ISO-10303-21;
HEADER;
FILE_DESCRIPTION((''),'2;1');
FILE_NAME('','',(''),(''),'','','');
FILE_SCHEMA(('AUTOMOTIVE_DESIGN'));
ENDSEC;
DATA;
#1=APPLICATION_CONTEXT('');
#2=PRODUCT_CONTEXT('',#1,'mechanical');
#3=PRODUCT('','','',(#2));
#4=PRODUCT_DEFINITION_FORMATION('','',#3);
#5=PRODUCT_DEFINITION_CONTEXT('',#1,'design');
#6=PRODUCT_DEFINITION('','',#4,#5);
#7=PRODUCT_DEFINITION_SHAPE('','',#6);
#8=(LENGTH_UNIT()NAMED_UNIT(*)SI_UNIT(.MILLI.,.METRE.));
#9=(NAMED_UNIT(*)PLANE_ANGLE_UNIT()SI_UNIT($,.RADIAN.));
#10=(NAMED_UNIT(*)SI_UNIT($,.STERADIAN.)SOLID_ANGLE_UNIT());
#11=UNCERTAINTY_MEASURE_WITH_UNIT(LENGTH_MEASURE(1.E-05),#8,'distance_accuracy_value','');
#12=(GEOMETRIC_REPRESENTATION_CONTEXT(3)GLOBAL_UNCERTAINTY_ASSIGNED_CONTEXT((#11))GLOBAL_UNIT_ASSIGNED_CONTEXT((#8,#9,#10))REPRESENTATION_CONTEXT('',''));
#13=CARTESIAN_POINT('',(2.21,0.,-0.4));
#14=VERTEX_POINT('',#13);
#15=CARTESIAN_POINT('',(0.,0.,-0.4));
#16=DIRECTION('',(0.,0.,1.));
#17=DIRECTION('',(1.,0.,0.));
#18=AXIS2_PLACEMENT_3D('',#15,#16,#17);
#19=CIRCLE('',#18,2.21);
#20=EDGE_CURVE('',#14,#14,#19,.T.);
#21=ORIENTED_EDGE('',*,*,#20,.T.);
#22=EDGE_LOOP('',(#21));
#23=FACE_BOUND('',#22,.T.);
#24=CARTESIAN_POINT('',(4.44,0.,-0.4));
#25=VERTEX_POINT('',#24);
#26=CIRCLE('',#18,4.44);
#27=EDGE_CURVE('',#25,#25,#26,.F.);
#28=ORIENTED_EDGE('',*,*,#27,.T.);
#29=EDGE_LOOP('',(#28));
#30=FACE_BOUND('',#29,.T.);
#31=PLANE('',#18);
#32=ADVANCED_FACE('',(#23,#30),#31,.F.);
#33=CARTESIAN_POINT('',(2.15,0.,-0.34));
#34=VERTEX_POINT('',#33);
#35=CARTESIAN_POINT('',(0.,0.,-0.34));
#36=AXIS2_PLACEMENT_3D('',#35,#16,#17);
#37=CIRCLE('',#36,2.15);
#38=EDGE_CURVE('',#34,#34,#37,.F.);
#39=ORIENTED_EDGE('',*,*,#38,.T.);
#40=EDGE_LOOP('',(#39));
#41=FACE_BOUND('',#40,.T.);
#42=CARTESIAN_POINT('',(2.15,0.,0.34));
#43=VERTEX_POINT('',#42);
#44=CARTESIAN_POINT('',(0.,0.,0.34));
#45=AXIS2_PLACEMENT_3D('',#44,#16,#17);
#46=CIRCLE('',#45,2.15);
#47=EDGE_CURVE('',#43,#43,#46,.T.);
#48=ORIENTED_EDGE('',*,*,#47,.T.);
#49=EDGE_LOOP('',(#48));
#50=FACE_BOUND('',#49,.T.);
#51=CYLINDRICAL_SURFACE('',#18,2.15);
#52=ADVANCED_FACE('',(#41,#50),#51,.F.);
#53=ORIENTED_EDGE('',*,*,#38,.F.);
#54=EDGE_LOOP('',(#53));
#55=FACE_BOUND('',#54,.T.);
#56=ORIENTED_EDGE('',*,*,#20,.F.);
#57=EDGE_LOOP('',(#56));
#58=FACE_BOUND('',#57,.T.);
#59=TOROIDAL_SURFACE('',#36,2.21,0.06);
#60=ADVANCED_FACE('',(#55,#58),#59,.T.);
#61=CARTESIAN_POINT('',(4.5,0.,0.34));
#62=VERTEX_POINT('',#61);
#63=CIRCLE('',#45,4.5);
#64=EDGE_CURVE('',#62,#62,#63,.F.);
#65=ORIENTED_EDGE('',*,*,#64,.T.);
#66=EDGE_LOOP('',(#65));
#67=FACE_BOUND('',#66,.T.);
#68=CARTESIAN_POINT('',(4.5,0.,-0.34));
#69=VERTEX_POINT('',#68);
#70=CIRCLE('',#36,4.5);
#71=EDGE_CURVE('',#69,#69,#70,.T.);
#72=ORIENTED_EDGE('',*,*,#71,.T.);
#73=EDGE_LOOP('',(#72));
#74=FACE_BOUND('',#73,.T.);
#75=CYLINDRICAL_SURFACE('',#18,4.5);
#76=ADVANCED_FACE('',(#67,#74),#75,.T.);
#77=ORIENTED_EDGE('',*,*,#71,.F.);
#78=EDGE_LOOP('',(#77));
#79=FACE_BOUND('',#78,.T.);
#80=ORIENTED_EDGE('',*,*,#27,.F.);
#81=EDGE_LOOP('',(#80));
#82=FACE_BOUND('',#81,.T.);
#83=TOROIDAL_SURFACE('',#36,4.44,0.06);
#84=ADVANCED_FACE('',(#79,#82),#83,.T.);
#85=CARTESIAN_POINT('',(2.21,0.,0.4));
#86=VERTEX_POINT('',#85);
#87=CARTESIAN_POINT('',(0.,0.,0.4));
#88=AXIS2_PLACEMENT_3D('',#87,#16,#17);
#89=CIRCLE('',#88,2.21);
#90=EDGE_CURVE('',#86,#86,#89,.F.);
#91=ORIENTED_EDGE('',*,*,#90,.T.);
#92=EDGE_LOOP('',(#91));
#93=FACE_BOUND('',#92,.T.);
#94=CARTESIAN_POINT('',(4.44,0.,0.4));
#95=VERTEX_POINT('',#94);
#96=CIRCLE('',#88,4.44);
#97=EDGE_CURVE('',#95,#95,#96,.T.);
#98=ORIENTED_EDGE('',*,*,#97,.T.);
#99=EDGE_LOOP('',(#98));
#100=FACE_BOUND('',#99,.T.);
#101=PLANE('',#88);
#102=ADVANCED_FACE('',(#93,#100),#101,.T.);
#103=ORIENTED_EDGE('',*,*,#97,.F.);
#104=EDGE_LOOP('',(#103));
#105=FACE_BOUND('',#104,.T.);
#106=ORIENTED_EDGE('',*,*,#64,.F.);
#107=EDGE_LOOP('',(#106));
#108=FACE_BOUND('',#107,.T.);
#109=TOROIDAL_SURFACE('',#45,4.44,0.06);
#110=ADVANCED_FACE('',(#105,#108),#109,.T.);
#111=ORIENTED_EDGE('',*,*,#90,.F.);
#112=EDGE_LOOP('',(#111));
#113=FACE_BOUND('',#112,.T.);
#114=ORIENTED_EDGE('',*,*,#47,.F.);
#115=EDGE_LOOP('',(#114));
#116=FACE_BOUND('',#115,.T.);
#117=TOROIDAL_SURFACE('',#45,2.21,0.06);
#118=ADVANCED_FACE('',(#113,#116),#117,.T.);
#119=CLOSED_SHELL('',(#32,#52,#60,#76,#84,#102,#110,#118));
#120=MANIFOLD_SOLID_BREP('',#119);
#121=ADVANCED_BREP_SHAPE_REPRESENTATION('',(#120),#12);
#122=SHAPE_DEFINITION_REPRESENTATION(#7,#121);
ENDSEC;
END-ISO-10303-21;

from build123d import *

# Parameters (mm, degrees)
BOSS_EXTRUDE1_START = 0.4
SKETCH3_R           = 4.5
SKETCH3_R_2         = 2.15
BOSS_EXTRUDE1_DEPTH = 0.8
FILLET1_R           = 0.06


with BuildPart() as part:
    # Sketch3 → Boss-Extrude1 (new body)
    with BuildSketch(Plane.XY.offset(BOSS_EXTRUDE1_START)):
        Circle(SKETCH3_R)
        Circle(SKETCH3_R_2, mode=Mode.SUBTRACT)
    extrude(amount=-BOSS_EXTRUDE1_DEPTH)

    # Fillet1
    fillet1_edges = [part.edges().sort_by_distance(p)[0] for p in [
        (-4.5, 0, 0.4),
        (-4.5, 0, -0.4),
        (-2.15, 0, -0.4),
        (-2.15, 0, 0.4),
    ]]
    fillet(fillet1_edges, radius=FILLET1_R)


solid = part.part
